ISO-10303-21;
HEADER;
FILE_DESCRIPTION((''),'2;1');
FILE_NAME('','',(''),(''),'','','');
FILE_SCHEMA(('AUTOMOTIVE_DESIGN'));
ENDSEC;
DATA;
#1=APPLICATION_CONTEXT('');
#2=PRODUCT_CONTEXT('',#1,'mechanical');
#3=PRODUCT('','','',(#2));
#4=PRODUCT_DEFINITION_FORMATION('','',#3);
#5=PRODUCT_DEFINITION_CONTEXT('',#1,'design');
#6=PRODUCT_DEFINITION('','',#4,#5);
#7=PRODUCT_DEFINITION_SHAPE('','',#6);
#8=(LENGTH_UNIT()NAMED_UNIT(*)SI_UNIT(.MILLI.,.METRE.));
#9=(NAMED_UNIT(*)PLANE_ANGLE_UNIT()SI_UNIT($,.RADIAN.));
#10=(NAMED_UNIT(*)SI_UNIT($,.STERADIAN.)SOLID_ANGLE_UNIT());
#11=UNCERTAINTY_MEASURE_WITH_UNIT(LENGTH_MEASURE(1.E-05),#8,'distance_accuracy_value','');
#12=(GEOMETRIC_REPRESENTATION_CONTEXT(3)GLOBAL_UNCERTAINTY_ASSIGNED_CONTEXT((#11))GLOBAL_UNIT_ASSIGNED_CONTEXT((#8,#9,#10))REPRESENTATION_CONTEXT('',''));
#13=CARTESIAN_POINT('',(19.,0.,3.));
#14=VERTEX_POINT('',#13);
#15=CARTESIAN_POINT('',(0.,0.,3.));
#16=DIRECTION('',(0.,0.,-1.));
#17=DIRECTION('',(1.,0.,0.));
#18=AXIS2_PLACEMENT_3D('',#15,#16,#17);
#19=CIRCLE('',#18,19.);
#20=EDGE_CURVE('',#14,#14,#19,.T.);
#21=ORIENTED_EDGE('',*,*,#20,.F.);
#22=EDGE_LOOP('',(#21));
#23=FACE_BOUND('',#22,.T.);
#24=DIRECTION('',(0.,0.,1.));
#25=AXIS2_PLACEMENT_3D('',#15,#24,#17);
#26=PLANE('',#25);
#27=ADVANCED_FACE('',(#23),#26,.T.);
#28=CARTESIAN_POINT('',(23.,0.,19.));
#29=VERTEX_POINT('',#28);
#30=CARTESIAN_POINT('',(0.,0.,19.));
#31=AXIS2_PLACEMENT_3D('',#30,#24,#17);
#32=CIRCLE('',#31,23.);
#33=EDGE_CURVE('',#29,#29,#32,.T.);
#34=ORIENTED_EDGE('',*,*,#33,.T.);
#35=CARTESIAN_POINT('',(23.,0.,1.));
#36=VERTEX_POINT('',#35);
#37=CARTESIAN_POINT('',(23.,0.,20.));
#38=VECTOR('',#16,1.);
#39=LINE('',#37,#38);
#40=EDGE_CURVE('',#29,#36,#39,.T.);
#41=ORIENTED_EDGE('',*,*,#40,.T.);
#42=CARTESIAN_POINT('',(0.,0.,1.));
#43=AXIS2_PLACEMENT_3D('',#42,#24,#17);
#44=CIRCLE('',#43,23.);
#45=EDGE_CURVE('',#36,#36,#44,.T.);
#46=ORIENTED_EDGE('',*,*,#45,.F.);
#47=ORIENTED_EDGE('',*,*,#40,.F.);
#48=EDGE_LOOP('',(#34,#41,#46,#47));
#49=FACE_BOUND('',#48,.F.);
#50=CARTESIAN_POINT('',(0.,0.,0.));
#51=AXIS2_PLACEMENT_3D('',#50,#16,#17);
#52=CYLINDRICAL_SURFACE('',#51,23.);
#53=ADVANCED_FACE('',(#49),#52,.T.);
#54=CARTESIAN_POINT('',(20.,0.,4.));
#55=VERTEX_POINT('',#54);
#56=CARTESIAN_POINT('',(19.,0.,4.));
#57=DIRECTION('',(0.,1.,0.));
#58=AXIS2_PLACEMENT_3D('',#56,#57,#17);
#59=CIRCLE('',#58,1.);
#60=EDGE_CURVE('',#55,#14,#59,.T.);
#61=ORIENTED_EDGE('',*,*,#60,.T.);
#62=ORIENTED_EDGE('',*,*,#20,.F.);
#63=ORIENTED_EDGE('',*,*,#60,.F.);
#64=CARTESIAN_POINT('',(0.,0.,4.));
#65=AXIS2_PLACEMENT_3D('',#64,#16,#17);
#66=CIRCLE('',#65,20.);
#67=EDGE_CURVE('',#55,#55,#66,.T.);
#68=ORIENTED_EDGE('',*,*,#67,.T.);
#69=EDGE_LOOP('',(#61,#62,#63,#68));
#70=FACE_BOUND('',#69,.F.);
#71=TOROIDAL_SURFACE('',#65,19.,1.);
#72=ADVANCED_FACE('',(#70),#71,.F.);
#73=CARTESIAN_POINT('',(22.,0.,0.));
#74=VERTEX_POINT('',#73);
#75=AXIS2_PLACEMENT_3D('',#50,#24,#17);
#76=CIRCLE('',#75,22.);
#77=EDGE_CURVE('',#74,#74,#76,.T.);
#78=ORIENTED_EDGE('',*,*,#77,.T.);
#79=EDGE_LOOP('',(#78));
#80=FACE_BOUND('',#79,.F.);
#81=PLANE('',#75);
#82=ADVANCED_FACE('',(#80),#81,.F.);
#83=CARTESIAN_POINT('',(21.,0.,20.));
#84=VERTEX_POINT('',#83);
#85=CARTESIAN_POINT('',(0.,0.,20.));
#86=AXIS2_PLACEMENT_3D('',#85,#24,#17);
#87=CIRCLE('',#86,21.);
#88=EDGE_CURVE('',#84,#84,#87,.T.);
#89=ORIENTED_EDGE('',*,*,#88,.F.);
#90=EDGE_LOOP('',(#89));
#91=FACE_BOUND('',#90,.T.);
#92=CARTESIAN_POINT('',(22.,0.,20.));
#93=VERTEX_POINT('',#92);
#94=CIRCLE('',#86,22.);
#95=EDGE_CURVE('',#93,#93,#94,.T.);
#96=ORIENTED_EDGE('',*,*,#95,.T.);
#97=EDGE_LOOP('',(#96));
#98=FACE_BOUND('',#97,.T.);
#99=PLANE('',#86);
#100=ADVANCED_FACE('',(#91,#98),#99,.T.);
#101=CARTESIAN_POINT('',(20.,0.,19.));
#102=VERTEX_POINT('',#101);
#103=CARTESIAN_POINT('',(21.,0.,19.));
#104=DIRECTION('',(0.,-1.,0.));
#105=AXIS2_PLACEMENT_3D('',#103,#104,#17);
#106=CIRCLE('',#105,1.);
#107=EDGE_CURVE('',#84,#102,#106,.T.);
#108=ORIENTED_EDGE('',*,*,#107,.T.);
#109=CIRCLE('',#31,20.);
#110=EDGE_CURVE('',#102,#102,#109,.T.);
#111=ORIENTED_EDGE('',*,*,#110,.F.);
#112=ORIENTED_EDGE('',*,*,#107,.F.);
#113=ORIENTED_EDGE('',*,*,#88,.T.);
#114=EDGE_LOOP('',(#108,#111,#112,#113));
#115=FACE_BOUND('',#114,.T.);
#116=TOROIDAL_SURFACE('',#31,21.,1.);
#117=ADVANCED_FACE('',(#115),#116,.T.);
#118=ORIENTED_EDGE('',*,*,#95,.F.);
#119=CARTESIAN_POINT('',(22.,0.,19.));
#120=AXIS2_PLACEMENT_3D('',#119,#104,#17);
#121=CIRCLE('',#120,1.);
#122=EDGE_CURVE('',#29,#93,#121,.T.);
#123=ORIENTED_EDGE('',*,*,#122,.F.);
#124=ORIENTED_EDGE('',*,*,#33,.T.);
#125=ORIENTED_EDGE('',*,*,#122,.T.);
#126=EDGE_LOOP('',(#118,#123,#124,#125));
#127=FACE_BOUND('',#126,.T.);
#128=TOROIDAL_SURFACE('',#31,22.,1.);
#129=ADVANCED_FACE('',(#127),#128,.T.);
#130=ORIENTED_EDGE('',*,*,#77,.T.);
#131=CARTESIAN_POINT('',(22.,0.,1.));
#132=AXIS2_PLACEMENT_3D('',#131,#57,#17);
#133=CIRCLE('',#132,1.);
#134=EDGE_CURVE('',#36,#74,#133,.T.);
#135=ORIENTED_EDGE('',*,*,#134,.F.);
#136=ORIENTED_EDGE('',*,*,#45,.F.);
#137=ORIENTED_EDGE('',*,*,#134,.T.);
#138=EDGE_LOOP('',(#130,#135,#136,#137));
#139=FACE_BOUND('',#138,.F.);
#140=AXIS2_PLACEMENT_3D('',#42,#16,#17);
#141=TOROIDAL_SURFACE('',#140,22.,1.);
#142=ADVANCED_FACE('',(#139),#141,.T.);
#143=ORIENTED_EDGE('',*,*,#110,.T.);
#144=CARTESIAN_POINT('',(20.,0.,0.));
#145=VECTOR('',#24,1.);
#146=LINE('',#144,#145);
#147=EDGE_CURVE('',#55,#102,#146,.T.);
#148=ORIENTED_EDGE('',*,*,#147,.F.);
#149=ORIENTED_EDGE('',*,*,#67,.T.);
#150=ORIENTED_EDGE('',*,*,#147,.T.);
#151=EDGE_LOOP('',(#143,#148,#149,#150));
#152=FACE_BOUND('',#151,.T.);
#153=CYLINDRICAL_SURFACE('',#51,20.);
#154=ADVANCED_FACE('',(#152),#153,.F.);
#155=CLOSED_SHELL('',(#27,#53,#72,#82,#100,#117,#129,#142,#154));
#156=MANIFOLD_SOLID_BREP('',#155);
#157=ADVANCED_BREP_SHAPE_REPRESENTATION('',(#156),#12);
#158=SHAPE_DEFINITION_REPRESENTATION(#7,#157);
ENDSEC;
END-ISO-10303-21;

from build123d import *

# Parameters (mm, degrees)
F0_R     = 23
F0_R_2   = 20
F1_DEPTH = 20
F2_R     = 23
F3_DEPTH = 3
F4_R     = 1


with BuildPart() as f1:
    # F0 (on Top) → F1 (new body)
    with BuildSketch(Plane.XY):
        Circle(F0_R)
        Circle(F0_R_2, mode=Mode.SUBTRACT)
    extrude(amount=F1_DEPTH)

    # F2 (on Top) → F3 (join)
    with BuildSketch(Plane.XY):
        Circle(F2_R)
    extrude(amount=F3_DEPTH)

    # F4
    f4_edges = [f1.edges().sort_by_distance(p)[0] for p in [
        (-20, 0, 3),
        (-20, 0, 20),
        (-23, 0, 20),
        (-23, 0, 0),
        (23, 0, 10),
    ]]
    fillet(f4_edges, radius=F4_R)


solid = f1.part
